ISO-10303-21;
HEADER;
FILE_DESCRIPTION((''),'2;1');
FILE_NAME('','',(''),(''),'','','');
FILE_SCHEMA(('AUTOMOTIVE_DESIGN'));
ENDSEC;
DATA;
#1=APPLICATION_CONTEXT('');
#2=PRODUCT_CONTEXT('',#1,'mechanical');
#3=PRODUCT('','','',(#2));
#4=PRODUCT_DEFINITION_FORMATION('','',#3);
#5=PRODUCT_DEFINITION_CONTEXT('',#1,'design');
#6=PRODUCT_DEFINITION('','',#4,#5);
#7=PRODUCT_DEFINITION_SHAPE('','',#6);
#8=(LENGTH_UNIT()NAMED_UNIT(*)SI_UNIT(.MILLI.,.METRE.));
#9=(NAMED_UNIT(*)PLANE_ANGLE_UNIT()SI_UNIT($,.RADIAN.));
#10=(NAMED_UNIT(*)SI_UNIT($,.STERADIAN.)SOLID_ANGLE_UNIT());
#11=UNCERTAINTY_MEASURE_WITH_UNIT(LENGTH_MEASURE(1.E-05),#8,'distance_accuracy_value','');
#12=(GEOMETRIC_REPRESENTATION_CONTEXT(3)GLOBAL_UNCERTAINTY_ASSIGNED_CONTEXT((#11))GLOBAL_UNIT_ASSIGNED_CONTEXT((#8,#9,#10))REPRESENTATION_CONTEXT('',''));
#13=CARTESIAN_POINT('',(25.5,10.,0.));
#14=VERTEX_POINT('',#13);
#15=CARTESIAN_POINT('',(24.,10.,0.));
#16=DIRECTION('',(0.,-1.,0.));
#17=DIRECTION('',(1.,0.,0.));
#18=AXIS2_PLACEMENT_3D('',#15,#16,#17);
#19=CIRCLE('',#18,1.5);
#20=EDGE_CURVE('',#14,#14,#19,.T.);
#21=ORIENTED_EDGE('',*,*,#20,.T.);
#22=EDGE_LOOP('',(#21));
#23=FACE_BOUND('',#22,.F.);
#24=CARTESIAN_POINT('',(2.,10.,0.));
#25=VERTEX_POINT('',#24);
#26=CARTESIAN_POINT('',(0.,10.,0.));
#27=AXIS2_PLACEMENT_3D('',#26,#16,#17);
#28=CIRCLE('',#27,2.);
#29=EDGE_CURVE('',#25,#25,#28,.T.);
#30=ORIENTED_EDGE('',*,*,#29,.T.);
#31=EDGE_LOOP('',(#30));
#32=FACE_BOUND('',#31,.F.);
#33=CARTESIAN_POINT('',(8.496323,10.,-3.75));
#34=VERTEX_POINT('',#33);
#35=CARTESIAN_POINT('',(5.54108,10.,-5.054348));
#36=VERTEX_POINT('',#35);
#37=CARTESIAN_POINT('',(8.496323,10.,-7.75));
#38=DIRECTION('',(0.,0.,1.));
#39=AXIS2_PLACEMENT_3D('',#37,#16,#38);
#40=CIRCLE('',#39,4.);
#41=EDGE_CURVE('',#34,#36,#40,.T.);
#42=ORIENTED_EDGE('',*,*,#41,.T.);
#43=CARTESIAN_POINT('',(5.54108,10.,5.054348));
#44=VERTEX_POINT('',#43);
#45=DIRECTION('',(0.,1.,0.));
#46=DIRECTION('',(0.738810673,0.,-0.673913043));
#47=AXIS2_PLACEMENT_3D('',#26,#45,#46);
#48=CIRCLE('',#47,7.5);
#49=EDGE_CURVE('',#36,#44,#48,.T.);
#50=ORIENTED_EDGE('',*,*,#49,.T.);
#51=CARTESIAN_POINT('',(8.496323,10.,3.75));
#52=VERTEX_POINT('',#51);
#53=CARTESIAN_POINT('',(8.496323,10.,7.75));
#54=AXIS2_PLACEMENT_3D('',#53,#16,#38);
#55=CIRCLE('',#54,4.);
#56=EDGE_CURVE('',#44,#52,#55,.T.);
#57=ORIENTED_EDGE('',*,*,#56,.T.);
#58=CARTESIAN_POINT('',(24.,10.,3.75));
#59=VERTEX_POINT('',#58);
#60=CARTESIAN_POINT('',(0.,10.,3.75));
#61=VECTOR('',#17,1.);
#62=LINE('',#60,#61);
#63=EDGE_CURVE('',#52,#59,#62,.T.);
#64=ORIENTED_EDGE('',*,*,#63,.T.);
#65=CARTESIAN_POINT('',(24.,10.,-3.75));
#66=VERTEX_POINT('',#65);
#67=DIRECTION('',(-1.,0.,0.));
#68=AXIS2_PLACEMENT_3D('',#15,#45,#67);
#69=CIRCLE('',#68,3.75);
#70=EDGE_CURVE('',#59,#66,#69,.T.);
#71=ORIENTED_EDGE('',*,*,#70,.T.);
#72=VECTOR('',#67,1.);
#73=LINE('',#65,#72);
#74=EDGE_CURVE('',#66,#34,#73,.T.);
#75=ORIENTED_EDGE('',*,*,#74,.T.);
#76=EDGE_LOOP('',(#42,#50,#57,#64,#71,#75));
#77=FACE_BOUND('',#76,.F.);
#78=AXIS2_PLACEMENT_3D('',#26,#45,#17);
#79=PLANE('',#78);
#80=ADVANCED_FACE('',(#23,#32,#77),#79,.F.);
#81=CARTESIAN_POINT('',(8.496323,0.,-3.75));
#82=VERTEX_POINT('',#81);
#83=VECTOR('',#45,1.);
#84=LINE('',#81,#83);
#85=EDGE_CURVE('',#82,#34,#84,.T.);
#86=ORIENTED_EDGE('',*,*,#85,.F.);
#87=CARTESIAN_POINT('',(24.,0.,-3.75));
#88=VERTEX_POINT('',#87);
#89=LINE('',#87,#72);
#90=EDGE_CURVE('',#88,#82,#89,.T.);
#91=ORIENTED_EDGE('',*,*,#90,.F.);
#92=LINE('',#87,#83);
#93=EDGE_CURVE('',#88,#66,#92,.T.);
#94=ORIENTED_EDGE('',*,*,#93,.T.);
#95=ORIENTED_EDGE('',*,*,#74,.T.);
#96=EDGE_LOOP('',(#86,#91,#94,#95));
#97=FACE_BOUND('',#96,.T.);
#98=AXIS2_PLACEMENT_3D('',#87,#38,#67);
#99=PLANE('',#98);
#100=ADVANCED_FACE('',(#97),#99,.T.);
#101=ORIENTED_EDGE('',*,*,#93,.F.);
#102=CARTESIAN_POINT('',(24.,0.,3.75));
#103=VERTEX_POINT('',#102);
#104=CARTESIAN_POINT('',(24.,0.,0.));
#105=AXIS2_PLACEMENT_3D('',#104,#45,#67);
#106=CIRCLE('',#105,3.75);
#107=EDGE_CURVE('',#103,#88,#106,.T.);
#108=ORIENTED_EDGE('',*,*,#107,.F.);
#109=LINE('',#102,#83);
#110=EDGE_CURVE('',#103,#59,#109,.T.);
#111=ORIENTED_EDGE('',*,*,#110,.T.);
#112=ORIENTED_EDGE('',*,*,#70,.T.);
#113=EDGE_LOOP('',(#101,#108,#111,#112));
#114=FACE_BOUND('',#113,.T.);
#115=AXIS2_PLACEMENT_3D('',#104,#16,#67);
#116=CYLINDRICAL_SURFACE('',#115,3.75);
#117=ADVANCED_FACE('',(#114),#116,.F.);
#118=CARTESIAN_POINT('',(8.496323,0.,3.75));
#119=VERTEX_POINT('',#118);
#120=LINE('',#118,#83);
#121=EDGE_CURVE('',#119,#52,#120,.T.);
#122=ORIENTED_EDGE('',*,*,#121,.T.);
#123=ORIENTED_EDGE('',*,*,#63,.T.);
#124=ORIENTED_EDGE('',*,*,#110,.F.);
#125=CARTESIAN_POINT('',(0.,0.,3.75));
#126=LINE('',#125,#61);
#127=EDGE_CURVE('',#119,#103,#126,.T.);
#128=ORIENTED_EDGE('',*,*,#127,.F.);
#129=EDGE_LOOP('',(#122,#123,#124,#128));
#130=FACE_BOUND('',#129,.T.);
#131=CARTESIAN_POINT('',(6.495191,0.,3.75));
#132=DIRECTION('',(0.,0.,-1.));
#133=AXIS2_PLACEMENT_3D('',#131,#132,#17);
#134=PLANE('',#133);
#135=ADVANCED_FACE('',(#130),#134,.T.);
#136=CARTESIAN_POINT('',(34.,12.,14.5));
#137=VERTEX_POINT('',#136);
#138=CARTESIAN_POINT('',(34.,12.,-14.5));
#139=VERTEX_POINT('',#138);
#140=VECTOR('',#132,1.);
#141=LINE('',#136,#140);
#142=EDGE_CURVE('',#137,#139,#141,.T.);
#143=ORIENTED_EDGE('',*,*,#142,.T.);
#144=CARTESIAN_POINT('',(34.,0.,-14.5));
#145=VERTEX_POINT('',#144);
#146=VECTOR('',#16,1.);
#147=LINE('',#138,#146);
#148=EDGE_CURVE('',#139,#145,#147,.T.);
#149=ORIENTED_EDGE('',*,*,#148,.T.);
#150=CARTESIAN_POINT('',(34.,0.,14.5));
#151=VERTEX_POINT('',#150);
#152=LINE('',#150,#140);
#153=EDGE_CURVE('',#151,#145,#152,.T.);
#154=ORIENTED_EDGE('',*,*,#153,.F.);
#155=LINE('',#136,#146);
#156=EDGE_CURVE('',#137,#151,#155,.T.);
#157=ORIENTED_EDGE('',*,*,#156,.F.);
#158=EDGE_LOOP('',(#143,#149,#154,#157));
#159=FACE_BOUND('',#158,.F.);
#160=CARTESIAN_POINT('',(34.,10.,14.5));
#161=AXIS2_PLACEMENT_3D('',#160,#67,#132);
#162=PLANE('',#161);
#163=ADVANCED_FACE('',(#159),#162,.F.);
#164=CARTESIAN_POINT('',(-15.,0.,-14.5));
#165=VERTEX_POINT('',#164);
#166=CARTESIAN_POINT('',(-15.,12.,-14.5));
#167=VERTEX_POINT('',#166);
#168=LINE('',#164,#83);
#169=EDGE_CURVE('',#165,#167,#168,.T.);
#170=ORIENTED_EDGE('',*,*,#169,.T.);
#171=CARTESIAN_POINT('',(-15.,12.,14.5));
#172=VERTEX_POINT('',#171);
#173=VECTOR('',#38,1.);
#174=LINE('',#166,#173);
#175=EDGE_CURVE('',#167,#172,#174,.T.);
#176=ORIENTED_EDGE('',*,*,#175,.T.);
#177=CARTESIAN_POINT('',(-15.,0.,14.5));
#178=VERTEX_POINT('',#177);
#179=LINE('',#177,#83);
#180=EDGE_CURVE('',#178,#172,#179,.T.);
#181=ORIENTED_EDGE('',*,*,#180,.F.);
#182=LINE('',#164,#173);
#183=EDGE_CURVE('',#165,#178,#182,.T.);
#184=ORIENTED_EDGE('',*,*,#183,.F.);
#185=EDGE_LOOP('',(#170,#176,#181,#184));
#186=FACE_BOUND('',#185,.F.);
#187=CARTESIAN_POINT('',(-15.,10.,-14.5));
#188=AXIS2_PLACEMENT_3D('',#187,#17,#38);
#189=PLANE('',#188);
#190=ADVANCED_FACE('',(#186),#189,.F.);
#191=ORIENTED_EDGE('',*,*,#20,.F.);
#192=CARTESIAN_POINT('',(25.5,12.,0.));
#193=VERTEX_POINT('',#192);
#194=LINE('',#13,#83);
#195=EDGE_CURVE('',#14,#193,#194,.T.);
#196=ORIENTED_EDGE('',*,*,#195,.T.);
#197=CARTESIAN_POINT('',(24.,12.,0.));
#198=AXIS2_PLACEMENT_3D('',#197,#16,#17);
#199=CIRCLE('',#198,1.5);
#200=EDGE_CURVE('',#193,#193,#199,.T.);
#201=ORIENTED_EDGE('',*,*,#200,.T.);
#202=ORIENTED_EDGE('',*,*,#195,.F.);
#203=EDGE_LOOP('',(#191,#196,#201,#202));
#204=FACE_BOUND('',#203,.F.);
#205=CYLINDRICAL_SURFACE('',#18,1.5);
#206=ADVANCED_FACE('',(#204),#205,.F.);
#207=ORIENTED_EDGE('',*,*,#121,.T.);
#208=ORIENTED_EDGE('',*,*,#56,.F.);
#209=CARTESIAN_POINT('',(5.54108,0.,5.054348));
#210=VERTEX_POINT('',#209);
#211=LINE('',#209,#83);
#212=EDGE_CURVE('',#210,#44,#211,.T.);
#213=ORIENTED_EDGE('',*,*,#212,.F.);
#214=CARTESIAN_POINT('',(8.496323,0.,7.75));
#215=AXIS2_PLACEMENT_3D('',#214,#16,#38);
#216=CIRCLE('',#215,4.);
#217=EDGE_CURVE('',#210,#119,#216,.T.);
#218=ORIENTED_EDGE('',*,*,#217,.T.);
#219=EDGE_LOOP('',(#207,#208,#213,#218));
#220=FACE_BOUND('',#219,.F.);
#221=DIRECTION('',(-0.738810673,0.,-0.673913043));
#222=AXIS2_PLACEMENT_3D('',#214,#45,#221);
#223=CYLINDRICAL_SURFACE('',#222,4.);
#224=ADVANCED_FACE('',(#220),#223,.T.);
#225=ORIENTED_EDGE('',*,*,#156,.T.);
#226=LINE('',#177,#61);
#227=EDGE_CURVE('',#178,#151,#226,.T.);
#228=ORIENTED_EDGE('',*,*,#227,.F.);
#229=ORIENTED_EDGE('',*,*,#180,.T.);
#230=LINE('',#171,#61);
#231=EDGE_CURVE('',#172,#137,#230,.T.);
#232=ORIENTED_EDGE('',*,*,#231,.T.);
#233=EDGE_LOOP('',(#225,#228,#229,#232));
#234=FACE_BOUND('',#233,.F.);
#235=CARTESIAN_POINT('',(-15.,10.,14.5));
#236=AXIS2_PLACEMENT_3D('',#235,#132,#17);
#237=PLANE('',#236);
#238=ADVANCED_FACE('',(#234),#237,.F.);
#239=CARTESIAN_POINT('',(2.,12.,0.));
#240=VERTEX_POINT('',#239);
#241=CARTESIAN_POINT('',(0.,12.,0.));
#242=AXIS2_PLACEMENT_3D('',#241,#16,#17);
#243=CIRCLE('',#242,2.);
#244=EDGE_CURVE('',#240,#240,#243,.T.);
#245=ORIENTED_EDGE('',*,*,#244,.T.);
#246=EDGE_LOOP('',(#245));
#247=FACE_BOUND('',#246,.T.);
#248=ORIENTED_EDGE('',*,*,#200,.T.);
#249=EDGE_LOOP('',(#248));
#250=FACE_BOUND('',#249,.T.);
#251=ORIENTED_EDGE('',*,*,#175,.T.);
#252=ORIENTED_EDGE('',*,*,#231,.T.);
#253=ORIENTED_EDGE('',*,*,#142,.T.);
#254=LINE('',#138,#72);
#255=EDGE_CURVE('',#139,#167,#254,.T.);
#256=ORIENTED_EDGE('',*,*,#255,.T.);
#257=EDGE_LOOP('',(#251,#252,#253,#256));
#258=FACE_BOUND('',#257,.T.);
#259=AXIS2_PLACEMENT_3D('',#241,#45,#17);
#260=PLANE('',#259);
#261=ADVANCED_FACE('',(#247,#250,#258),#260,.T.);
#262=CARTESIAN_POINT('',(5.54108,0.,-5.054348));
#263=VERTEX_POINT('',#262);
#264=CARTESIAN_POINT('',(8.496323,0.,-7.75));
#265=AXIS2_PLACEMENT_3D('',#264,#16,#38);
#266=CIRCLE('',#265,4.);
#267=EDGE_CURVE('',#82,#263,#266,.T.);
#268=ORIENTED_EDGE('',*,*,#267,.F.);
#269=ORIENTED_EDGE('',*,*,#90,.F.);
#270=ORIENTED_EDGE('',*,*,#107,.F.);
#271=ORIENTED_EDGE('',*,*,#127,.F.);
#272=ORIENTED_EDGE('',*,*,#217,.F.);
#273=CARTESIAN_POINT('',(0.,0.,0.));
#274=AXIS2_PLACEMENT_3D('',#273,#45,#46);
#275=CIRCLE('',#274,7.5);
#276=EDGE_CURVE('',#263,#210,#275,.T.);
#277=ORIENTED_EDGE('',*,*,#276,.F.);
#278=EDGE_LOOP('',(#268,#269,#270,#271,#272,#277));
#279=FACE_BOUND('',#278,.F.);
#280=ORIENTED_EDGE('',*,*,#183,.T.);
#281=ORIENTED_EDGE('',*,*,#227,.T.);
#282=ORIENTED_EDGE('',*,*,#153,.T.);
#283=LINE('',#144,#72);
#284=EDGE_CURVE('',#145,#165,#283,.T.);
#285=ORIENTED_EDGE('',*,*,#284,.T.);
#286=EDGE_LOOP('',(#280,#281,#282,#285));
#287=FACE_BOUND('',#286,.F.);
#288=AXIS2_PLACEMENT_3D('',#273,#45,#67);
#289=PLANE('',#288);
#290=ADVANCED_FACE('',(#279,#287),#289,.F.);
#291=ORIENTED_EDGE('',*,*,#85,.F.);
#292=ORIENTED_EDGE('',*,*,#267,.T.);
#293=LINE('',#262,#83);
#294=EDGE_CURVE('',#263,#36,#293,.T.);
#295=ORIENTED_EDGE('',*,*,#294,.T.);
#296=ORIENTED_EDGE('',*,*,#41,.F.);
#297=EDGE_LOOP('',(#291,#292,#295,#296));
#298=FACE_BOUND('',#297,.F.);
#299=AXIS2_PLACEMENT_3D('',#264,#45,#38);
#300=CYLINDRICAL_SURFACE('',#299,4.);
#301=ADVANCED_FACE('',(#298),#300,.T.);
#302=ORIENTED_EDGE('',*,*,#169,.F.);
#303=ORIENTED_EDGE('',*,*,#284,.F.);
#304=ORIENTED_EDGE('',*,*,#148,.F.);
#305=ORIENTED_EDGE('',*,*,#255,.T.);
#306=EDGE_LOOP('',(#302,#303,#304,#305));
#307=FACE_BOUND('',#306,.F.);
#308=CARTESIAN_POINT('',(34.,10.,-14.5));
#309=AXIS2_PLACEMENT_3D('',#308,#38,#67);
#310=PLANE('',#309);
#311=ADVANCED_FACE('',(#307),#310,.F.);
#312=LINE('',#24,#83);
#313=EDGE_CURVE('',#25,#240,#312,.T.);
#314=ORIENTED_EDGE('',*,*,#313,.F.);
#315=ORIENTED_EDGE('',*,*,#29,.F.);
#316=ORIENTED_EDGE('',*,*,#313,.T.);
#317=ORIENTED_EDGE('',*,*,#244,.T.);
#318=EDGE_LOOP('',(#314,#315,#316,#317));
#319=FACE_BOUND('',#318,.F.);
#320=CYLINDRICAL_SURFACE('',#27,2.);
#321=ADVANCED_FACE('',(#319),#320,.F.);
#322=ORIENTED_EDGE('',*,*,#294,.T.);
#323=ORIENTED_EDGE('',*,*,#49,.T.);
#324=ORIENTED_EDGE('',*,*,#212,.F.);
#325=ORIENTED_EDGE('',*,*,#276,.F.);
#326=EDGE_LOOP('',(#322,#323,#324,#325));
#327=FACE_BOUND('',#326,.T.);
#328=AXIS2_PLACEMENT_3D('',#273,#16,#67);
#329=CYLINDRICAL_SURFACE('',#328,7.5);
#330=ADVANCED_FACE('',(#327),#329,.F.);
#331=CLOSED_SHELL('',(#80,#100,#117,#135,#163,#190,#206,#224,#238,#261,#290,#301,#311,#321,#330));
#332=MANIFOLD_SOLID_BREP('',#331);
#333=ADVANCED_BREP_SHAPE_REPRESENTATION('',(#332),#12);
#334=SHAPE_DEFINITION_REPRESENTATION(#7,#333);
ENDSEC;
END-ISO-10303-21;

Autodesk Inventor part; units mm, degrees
ref_plane "YZ Plane" through (0, 0, 0) normal (1, 0, 0) x (0, 1, 0)
ref_plane "XZ Plane" through (0, 0, 0) normal (0, 1, 0) x (-1, 0, 0)
ref_plane "XY Plane" through (0, 0, 0) normal (0, 0, 1) x (1, 0, 0)
sketch "Sketch1" plane through (0, 0, 0) normal (0, 1, 0) x (-1, 0, 0)
  circle A0 centre (0, 0) radius 7.5
  line L0 (0, 3.75) -> (-24, 3.75)
  line L1 (-24, 3.75) -> (-24, -3.75)
  line L2 (-24, -3.75) -> (0, -3.75)
  line L3 (0, -3.75) -> (0, 3.75)
  circle A1 centre (-24, 0) radius 3.75
  line L4 (15, 14.5) -> (-34, 14.5)
  line L5 (-34, 14.5) -> (-34, -14.5)
  line L6 (-34, -14.5) -> (15, -14.5)
  line L7 (15, -14.5) -> (15, 14.5)
  point P0 (-6.4952, 3.75)
  point P1 (-6.4952, -3.75)
  dimension "d0" = 15
  dimension "d1" = 24
  dimension "d2" = 7.5
  dimension "d3" = 3.75
  dimension "d4" = 7
  dimension "d5" = 7
  dimension "d6" = 15
  dimension "d7" = 10
extrude "Extrusion1" add sketch "Sketch1" along normal blind 10
fillet "Fillet1" radius 4 2 edges at (6.4952, 5, 3.75) (6.4952, 5, -3.75)
sketch "Sketch2" plane through (0, 10, 0) normal (0, 1, 0) x (1, 0, 0)
  line L0 (-15, 14.5) -> (-15, -14.5) projected
  line L1 (34, -14.5) -> (34, 14.5) projected
  line L2 (-15, -14.5) -> (34, -14.5)
  line L3 (34, -14.5) -> (34, 14.5)
  line L4 (34, 14.5) -> (-15, 14.5)
  line L5 (-15, 14.5) -> (-15, -14.5)
  point P0 (0, 0)
extrude "Extrusion2" add sketch "Sketch2" along normal blind 2
sketch "Sketch3" plane through (0, 10, 0) normal (0, -1, 0) x (1, 0, 0)
  circle A0 centre (0, 0) radius 2
  arc A1 (24, -3.75) -> (24, 3.75) centre (24, 0) ccw projected
  circle A2 centre (24, 0) radius 1.5
  dimension "d13" = 4
  dimension "d14" = 3
extrude "Extrusion3" cut sketch "Sketch3" against normal blind 2
properties part number "servoTest"
